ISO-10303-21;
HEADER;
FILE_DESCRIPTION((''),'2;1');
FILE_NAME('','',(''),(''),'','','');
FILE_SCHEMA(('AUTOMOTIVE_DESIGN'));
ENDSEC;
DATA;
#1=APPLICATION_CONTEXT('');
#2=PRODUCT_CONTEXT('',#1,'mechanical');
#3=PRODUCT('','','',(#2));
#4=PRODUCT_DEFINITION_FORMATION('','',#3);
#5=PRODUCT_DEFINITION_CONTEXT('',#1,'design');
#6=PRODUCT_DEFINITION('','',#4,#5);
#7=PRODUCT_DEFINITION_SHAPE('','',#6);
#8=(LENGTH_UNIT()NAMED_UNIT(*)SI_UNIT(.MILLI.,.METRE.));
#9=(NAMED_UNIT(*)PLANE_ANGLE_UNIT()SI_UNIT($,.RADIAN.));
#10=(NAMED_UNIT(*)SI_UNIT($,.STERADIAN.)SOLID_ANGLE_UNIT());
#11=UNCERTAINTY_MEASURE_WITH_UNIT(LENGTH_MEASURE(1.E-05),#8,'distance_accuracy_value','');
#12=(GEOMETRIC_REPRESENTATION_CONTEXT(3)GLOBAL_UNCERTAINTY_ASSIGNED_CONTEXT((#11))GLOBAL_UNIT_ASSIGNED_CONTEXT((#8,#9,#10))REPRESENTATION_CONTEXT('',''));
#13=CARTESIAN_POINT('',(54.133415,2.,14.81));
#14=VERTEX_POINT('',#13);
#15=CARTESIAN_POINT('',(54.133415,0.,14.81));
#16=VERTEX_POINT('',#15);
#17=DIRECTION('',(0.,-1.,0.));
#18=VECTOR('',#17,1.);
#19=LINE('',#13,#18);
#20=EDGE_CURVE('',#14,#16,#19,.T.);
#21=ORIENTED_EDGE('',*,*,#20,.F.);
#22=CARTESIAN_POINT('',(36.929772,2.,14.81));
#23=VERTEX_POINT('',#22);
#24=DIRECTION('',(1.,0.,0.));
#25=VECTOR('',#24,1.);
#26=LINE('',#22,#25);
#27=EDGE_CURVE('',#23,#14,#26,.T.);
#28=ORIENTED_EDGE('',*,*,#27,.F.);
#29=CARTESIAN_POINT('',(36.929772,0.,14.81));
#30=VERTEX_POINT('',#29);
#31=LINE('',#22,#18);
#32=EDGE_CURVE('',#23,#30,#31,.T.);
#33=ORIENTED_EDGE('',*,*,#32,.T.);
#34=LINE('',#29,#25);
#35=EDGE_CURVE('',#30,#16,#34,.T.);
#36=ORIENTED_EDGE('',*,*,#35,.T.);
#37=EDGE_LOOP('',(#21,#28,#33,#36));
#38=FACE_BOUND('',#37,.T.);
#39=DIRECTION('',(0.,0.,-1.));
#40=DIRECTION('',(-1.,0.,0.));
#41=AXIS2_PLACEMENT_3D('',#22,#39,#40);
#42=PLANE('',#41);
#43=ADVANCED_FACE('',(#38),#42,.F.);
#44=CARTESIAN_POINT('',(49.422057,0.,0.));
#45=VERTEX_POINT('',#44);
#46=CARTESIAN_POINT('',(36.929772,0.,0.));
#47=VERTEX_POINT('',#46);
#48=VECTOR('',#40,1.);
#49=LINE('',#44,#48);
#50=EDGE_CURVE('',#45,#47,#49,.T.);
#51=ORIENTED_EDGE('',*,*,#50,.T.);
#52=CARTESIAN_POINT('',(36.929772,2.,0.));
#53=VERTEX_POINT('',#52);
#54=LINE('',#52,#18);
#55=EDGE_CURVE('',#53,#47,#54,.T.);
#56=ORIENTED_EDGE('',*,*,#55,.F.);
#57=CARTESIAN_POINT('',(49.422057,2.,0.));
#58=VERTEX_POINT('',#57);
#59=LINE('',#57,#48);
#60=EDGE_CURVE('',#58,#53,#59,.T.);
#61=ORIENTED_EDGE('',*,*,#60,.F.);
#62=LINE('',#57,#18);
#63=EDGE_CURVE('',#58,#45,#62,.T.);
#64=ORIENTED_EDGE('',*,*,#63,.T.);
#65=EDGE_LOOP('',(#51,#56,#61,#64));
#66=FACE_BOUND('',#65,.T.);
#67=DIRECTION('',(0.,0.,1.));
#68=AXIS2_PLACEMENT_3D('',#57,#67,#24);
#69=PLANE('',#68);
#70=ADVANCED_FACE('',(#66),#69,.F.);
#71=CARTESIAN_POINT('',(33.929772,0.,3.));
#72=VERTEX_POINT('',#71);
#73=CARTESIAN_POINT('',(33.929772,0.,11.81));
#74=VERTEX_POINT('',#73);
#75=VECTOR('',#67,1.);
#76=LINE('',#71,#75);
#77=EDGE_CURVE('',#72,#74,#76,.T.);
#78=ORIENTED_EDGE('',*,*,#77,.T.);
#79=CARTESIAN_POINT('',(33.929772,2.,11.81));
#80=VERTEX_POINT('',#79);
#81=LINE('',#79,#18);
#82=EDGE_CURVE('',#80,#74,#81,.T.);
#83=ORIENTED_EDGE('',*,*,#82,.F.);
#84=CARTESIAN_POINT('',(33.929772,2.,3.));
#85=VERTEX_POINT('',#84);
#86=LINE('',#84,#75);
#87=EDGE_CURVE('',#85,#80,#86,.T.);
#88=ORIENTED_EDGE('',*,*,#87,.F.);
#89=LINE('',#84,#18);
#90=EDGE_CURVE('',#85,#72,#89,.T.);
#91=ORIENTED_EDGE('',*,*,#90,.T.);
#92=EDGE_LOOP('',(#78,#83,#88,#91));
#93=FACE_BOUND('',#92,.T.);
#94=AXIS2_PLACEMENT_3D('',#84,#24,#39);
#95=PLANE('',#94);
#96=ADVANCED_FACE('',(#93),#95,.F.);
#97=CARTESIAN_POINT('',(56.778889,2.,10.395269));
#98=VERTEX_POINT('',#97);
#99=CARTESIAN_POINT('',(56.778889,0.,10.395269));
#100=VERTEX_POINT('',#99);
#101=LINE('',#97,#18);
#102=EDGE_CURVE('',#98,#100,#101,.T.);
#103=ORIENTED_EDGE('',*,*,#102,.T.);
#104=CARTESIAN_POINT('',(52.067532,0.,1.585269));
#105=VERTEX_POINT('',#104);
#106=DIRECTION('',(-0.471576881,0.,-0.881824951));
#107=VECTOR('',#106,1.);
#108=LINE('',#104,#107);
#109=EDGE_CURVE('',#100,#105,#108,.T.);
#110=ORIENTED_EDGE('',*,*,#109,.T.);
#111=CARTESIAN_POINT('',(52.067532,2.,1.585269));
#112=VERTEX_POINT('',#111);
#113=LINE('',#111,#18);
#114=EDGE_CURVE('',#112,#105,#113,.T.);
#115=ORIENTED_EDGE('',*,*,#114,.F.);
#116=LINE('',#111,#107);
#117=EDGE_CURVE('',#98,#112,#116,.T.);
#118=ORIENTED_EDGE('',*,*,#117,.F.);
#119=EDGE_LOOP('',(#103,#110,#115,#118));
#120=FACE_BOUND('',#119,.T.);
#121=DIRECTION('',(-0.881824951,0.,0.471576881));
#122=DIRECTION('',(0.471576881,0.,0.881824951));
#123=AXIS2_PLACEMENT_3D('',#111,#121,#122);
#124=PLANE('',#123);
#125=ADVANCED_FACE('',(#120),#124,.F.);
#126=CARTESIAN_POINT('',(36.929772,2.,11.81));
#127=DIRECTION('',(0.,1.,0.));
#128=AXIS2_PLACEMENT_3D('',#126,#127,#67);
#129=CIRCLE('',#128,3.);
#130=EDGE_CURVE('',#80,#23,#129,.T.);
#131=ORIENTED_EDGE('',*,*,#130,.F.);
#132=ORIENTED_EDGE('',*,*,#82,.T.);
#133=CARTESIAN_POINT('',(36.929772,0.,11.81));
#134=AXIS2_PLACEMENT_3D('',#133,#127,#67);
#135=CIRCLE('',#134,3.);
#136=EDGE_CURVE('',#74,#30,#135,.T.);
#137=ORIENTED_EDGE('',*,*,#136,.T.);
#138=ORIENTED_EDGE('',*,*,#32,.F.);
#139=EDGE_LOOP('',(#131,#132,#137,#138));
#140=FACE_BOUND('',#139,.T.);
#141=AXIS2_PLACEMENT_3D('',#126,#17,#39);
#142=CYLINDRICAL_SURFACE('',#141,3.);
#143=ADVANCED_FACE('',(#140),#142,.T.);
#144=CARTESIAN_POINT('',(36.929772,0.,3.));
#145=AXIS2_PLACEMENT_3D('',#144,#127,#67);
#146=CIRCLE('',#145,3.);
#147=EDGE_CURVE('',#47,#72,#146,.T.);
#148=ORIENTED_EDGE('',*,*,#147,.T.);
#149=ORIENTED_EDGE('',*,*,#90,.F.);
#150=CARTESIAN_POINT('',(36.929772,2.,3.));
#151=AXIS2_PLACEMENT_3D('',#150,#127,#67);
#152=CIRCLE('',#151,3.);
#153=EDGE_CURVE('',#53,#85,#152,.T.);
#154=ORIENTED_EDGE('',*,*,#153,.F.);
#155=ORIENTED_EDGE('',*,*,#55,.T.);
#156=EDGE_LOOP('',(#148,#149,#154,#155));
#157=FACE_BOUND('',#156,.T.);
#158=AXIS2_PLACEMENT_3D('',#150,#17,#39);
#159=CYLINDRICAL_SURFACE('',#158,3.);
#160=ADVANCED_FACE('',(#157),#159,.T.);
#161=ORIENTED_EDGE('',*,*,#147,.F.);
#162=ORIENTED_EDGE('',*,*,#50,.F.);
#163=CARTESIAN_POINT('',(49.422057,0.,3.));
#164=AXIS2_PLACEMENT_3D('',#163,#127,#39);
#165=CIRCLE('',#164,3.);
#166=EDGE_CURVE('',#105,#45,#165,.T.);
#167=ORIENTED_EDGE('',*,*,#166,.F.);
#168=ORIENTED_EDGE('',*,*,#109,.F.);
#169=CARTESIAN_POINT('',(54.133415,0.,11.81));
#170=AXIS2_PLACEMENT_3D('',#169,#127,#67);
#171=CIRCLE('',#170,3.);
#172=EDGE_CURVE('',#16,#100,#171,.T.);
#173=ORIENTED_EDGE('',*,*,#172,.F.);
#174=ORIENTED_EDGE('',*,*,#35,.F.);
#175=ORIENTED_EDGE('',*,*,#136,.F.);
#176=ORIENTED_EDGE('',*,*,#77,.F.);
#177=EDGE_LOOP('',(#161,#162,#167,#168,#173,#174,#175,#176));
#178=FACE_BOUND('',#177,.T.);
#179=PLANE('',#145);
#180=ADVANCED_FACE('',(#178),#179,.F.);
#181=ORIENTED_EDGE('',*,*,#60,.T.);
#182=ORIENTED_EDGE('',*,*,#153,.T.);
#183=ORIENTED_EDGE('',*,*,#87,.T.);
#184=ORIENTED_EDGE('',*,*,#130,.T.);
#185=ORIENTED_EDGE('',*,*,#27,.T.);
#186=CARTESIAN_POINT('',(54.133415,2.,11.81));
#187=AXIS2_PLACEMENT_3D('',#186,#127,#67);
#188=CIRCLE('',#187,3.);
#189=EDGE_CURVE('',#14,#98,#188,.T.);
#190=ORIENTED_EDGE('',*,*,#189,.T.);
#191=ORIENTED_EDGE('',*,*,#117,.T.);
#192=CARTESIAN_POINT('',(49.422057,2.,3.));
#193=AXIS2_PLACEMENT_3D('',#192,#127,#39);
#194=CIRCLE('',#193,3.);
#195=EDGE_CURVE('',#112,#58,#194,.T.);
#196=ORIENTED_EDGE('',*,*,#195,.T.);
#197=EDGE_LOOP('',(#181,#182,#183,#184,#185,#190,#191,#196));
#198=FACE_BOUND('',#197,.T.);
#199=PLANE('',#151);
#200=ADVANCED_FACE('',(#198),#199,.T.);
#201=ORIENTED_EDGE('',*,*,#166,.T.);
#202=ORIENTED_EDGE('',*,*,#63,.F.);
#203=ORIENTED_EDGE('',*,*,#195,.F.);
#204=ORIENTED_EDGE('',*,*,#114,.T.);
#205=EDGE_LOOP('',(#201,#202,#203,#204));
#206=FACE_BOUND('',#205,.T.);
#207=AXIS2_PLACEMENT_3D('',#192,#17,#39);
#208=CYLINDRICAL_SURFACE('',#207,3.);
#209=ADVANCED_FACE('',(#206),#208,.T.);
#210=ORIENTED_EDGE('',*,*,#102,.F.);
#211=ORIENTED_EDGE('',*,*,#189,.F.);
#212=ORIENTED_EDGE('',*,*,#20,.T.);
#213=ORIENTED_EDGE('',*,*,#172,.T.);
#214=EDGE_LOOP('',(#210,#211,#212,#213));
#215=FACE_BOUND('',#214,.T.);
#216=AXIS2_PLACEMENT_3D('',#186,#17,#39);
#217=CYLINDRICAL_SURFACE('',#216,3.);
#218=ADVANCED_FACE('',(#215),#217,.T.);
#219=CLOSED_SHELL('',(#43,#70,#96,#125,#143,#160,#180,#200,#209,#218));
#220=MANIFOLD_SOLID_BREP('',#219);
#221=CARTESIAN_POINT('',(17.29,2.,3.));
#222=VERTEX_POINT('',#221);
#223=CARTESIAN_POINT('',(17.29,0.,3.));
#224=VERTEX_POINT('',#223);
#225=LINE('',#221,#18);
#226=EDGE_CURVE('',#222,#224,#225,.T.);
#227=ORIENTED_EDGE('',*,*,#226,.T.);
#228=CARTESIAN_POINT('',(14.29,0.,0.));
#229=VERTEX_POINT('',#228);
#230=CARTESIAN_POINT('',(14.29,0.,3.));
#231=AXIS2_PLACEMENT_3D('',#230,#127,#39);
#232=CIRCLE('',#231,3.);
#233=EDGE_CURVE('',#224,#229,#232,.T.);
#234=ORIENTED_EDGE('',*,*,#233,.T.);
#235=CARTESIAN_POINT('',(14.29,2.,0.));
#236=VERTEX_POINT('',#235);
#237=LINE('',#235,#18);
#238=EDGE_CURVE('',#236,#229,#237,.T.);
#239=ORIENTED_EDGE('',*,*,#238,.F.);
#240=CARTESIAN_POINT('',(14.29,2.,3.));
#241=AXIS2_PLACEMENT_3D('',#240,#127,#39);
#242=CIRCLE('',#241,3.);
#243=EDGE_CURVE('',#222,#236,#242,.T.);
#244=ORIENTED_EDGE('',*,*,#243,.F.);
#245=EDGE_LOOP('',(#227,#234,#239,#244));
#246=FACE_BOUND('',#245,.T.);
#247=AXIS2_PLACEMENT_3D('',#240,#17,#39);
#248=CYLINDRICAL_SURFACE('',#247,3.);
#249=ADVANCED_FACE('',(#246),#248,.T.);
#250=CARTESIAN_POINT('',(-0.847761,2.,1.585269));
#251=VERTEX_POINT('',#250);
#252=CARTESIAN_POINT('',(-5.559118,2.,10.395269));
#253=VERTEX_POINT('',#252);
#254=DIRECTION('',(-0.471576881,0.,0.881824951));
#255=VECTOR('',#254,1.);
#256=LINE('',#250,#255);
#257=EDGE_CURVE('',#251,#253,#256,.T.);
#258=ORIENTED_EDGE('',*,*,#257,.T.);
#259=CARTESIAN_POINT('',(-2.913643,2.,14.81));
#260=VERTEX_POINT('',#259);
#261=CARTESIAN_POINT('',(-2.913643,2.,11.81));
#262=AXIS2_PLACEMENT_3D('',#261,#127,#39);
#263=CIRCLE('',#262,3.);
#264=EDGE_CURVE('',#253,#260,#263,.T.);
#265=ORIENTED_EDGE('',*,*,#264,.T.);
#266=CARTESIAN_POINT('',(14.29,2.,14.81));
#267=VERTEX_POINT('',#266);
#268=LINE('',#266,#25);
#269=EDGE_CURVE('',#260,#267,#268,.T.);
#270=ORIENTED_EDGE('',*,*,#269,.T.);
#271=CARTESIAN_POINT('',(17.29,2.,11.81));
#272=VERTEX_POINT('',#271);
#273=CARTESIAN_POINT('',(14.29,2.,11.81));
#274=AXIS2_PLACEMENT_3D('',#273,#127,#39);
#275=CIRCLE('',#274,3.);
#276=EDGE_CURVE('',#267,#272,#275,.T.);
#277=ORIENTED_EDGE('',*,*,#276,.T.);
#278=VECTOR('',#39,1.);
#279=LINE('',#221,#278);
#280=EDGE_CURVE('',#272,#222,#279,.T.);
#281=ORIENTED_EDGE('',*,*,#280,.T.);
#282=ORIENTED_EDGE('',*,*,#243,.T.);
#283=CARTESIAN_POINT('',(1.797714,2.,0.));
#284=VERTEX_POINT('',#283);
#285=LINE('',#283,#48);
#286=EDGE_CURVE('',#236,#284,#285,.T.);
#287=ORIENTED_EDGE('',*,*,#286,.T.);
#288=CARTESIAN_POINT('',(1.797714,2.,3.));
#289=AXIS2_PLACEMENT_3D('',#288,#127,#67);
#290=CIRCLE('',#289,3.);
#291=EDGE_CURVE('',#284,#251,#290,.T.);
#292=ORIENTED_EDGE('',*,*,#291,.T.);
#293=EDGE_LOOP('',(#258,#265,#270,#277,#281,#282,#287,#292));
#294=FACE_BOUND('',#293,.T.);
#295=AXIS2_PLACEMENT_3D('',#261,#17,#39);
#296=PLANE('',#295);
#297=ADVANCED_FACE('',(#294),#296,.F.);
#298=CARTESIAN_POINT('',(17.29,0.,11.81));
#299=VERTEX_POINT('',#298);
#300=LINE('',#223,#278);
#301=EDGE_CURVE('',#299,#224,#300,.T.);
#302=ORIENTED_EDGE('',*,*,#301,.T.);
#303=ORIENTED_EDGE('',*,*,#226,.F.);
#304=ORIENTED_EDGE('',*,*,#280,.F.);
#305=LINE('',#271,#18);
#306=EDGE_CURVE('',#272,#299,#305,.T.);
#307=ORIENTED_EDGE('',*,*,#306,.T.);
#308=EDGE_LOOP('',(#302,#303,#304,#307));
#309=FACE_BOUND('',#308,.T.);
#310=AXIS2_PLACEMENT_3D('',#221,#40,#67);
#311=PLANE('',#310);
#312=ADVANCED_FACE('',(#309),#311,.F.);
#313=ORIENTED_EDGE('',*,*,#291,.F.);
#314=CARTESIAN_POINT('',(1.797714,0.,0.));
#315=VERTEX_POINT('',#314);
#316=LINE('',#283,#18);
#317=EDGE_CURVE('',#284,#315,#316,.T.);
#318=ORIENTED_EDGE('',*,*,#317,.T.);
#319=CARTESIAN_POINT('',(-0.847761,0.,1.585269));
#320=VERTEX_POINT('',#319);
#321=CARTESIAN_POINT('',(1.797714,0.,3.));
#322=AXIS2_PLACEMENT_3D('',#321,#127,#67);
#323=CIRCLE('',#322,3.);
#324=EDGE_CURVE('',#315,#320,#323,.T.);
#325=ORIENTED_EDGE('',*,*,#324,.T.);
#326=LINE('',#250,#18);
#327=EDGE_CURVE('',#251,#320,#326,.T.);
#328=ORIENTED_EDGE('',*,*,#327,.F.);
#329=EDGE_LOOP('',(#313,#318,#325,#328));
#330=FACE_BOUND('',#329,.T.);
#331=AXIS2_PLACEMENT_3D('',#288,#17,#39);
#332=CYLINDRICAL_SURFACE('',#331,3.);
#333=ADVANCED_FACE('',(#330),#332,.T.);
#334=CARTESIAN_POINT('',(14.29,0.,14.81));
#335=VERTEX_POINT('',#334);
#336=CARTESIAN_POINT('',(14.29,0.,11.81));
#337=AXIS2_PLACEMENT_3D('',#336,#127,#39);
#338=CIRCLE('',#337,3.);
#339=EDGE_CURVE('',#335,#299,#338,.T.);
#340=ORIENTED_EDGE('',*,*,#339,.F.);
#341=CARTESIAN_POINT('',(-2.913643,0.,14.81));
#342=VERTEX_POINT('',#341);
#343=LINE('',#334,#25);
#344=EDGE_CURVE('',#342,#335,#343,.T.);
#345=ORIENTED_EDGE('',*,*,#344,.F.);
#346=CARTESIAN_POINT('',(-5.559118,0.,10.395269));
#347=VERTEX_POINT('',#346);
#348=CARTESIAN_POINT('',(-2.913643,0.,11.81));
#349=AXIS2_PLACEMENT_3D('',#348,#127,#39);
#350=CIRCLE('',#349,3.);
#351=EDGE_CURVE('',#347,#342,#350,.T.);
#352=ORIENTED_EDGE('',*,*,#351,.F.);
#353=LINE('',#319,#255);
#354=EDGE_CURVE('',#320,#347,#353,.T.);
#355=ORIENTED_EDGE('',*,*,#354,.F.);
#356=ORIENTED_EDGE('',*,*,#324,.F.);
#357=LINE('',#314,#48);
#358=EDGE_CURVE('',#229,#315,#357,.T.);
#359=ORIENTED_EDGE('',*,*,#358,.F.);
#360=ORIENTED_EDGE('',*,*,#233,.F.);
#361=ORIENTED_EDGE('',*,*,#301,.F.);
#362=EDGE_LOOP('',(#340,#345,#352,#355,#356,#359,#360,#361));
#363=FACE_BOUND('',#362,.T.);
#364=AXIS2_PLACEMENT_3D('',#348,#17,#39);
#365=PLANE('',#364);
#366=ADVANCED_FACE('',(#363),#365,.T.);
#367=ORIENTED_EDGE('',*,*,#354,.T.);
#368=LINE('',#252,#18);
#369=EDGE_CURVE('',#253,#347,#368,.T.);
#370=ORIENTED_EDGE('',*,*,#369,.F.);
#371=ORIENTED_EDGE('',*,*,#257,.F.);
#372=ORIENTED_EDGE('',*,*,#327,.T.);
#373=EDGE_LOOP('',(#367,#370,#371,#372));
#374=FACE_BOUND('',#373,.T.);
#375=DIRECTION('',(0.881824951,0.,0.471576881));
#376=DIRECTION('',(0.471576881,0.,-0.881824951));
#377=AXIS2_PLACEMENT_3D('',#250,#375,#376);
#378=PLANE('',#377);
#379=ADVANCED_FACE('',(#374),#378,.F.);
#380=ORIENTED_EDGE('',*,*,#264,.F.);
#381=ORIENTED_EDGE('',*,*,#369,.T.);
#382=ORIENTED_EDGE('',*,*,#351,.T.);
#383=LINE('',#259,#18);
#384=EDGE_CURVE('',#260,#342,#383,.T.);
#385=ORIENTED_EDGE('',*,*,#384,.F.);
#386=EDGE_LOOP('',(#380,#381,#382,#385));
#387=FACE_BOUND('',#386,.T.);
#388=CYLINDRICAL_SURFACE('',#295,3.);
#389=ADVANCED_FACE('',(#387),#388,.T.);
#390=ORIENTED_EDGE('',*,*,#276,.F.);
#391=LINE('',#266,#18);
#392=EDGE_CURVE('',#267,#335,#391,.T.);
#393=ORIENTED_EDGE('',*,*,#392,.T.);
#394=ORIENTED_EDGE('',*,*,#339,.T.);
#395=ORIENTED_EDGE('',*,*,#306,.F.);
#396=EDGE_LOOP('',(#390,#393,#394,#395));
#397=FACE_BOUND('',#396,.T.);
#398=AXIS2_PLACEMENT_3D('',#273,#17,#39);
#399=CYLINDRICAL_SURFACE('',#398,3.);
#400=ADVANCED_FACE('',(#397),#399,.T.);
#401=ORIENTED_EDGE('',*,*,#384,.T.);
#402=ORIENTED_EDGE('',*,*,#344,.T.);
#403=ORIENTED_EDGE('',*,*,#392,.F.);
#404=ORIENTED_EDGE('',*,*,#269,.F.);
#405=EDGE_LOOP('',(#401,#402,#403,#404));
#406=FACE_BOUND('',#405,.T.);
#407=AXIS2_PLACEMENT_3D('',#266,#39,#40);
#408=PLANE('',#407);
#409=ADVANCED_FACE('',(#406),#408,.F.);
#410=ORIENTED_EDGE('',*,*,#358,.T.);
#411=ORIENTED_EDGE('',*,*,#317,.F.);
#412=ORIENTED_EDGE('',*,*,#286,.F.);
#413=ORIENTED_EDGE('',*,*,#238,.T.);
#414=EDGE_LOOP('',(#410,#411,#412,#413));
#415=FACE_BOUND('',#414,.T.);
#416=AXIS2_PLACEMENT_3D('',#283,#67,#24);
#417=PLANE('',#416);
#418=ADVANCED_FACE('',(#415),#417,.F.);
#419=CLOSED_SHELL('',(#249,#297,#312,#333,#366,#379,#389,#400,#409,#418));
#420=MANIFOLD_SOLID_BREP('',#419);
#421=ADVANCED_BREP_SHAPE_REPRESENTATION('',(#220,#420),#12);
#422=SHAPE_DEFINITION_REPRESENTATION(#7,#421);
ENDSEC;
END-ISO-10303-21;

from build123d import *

# Parameters (mm, degrees)
EXTRUDE_1_DEPTH   = 2
EXTRUDE_1_2_DEPTH = 2


with BuildPart() as part:
    # 草图1 → 凸台-拉伸1 (new body)
    with BuildSketch(Plane(origin=(0, 0, 0), x_dir=(1, 0, 0), z_dir=(0, 1, 0))):
        with BuildLine():
            Line((1.797714334, 0), (14.29, 0))
            ThreePointArc((14.29, 0), (16.411320344, -0.878679656), (17.29, -3))
            Line((17.29, -3), (17.29, -11.81))
            ThreePointArc((17.29, -11.81), (16.411320344, -13.931320344), (14.29, -14.81))
            Line((14.29, -14.81), (-2.913642857, -14.81))
            ThreePointArc((-2.913642857, -14.81), (-5.486986201, -13.352045406), (-5.559117711, -10.395269356))
            Line((-5.559117711, -10.395269356), (-0.84776052, -1.585269356))
            ThreePointArc((-0.84776052, -1.585269356), (0.255668929, -0.426656656), (1.797714334, 0))
        make_face()
    extrude(amount=EXTRUDE_1_DEPTH)


with BuildPart() as body_2:
    # 草图1 → Extrude 1 2 (new body)
    with BuildSketch(Plane(origin=(0, 0, 0), x_dir=(1, 0, 0), z_dir=(0, 1, 0))):
        with BuildLine():
            Line((33.929771652, -3), (33.929771652, -11.81))
            ThreePointArc((33.929771652, -11.81), (34.808451309, -13.931320344), (36.929771652, -14.81))
            Line((36.929771652, -14.81), (54.133414509, -14.81))
            ThreePointArc((54.133414509, -14.81), (56.706757853, -13.352045406), (56.778889363, -10.395269356))
            Line((56.778889363, -10.395269356), (52.067532172, -1.585269356))
            ThreePointArc((52.067532172, -1.585269356), (50.964102723, -0.426656656), (49.422057318, 0))
            Line((49.422057318, 0), (36.929771652, 0))
            ThreePointArc((36.929771652, 0), (34.808451309, -0.878679656), (33.929771652, -3))
        make_face()
    extrude(amount=EXTRUDE_1_2_DEPTH)


solid = Compound([part.part, body_2.part])
